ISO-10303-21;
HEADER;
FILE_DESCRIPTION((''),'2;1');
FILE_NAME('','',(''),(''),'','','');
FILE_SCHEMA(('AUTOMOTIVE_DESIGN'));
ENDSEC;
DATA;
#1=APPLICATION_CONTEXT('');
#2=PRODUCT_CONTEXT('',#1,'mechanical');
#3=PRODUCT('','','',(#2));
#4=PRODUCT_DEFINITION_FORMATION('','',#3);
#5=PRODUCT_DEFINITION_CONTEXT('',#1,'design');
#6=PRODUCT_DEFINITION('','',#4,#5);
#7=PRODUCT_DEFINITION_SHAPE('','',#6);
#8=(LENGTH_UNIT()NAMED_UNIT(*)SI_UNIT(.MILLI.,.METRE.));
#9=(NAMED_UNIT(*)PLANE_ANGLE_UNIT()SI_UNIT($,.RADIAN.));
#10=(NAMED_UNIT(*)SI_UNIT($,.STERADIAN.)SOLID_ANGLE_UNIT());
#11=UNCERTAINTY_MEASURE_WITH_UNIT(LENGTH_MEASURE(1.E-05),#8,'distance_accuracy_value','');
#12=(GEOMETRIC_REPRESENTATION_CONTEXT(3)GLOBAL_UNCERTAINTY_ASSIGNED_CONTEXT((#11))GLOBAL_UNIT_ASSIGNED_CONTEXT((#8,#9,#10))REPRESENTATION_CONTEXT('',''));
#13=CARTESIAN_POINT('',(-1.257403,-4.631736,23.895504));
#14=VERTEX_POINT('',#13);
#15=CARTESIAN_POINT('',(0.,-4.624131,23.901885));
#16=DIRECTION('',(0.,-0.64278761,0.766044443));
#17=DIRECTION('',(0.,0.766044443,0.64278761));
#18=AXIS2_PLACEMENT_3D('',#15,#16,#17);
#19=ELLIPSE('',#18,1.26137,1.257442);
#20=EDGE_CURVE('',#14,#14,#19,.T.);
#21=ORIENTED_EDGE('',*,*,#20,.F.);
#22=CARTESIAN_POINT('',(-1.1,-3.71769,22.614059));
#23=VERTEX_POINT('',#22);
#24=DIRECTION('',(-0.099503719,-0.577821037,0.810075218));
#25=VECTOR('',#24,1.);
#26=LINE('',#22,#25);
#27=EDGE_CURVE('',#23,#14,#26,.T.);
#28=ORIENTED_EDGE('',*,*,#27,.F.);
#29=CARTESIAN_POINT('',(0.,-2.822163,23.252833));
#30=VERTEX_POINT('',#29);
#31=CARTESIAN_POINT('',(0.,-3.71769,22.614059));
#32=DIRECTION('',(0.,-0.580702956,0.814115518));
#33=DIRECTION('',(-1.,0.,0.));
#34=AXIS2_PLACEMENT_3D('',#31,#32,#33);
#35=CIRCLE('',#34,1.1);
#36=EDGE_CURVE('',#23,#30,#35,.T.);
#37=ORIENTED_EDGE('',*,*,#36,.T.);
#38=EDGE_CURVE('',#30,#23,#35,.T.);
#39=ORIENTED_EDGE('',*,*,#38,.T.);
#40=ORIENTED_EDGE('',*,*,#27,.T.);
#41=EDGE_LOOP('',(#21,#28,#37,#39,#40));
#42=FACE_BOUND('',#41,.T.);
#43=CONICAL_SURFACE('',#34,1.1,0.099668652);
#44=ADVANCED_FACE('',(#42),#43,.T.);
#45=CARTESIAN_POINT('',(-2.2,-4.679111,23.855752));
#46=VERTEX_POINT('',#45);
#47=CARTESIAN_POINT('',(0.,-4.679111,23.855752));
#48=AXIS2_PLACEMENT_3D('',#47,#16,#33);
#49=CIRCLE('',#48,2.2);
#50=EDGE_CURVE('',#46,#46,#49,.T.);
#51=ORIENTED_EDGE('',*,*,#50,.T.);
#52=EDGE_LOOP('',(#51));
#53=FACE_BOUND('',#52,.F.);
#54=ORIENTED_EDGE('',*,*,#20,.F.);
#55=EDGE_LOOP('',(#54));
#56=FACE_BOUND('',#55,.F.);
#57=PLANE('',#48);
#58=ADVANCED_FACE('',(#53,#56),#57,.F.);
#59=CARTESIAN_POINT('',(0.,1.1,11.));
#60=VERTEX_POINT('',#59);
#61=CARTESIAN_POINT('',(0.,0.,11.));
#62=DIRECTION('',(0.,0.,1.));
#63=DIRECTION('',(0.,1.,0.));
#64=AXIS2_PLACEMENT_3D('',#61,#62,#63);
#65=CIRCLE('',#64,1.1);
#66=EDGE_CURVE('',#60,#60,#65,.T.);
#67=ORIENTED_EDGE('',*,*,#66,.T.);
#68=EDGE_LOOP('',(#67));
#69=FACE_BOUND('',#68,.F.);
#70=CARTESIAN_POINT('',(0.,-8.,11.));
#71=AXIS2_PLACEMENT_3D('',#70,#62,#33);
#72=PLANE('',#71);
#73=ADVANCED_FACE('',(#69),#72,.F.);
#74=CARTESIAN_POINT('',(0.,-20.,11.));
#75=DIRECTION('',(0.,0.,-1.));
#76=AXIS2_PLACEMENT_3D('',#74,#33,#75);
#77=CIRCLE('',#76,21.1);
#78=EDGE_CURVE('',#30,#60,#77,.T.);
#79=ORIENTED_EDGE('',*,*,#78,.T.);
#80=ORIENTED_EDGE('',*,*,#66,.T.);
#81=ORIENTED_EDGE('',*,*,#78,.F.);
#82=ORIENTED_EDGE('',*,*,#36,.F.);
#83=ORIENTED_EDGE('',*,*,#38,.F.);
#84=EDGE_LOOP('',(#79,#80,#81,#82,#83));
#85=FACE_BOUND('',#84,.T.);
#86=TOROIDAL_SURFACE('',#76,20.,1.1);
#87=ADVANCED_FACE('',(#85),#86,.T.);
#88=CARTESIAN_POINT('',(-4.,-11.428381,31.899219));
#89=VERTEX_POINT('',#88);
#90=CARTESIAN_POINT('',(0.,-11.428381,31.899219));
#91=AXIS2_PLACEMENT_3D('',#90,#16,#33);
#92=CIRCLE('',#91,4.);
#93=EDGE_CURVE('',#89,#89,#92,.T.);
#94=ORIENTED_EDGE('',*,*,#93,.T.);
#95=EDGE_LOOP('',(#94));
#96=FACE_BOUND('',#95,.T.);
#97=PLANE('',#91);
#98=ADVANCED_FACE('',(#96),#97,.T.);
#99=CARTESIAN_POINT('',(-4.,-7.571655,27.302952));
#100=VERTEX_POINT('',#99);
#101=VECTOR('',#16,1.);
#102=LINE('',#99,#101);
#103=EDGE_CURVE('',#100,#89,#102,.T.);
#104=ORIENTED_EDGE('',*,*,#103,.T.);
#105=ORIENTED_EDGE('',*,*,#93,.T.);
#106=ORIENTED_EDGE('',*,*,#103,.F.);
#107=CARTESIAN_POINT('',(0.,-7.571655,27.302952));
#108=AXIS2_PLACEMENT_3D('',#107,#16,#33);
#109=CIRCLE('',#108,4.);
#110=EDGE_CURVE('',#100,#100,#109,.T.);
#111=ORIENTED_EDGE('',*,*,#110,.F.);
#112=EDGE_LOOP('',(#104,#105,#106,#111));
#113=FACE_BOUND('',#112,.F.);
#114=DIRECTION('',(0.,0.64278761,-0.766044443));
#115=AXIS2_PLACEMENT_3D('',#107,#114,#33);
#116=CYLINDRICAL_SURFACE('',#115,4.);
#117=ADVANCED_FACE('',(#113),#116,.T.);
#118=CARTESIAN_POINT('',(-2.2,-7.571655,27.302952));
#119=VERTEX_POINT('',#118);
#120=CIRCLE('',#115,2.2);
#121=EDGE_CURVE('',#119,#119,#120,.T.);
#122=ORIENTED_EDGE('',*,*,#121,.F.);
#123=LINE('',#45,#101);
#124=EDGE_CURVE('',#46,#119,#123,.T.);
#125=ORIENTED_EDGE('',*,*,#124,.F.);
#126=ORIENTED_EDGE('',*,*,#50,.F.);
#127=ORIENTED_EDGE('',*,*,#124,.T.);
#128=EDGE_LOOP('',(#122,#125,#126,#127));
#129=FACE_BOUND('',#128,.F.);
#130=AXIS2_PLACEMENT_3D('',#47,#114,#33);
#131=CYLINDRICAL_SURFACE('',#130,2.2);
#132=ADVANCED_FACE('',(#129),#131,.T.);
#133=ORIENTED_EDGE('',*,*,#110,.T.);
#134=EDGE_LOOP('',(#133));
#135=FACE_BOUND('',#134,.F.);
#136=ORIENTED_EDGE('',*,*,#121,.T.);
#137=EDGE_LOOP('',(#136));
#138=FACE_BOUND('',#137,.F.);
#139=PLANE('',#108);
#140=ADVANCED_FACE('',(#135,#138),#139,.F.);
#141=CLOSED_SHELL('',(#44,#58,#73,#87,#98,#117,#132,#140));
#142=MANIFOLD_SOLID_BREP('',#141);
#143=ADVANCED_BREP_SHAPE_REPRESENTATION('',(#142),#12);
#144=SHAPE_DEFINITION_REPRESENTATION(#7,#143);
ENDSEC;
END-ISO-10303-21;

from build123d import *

# Parameters (mm, degrees)
CONE008_ROLL_ANGLE           = -35.5
BOX001027045032_W            = 10
BOX001027045032_H            = 24
BOX001027045032_DEPTH        = 22
BOX001027045032_ROLL_ANGLE   = -35.5
BOX001027045031_W            = 10
BOX001027045031_H            = 24
BOX001027045031_DEPTH        = 22
TORUS007_R                   = 1.1
TORUS007_PITCH_ANGLE         = 90
CYLINDER137_R                = 4
CYLINDER137_DEPTH            = 6
CYLINDER137_ROLL_ANGLE       = -40
CYLINDER136_R                = 2.2
CYLINDER136_DEPTH            = 10
CYLINDER136_ROLL_ANGLE       = -40
FUSION112047_PLACEMENT_ANGLE = 180


with BuildPart() as cone008:
    # Cone008 → Cone008 (revolve)
    with BuildSketch(Plane.XZ):
        Polygon((0, 0), (1.1, 0), (1.3, 2), (0, 2), align=None)
    revolve(axis=Axis((0, 0, 0), (0, 0, 1)))


with BuildPart() as cone008_1:
    # Cone008 roll: moved
    add(cone008.part.rotate(Axis((0, 0, 0), (1, 0, 0)), CONE008_ROLL_ANGLE))


with BuildPart() as cone008_2:
    # Cone008 placement: moved
    add(cone008_1.part.moved(Location((0, 3.71769, 11.614059))))


with BuildPart() as cube085:
    # Box001027045032 → Box001027045032 (new body)
    with BuildSketch(Plane.XY):
        with Locations((5, 12)):
            Rectangle(BOX001027045032_W, BOX001027045032_H)
    extrude(amount=BOX001027045032_DEPTH)


with BuildPart() as cube085_1:
    # Box001027045032 roll: moved
    add(cube085.part.rotate(Axis((0, 0, 0), (1, 0, 0)), BOX001027045032_ROLL_ANGLE))


with BuildPart() as cube085_2:
    # Box001027045032 placement: moved
    add(cube085_1.part.moved(Location((-5, 0.461228, 13.936871))))


with BuildPart() as cube084:
    # Box001027045031 → Box001027045031 (new body)
    with BuildSketch(Plane(origin=(-5, -4, 0), x_dir=(1, 0, 0), z_dir=(0, 0, 1))):
        with Locations((5, 12)):
            Rectangle(BOX001027045031_W, BOX001027045031_H)
    extrude(amount=BOX001027045031_DEPTH)


with BuildPart() as cut074:
    # Torus007 → Torus007 (revolve)
    with BuildSketch(Plane.XZ):
        with Locations((20, 0)):
            Circle(TORUS007_R)
    revolve(axis=Axis((0, 0, 0), (0, 0, 1)))


with BuildPart() as cut074_1:
    # Torus007 pitch: moved
    add(cut074.part.rotate(Axis((0, 0, 0), (0, 1, 0)), TORUS007_PITCH_ANGLE))


with BuildPart() as cut074_2:
    # Torus007 placement: moved
    add(cut074_1.part.moved(Location((0, 20, 0))))

    # Common059: intersect Cube084
    add(cube084.part, mode=Mode.INTERSECT)

    # Cut074: cut Cube085
    add(cube085_2.part, mode=Mode.SUBTRACT)


with BuildPart() as cylinder195:
    # Cylinder137 → Cylinder137 (new body)
    with BuildSketch(Plane.XY):
        Circle(CYLINDER137_R)
    extrude(amount=CYLINDER137_DEPTH)


with BuildPart() as cylinder195_1:
    # Cylinder137 roll: moved
    add(cylinder195.part.rotate(Axis((0, 0, 0), (1, 0, 0)), CYLINDER137_ROLL_ANGLE))


with BuildPart() as cylinder195_2:
    # Cylinder137 placement: moved
    add(cylinder195_1.part.moved(Location((0, 7.571655, 16.302952))))


with BuildPart() as torroidal_hole010:
    # Cylinder136 → Cylinder136 (new body)
    with BuildSketch(Plane.XY):
        Circle(CYLINDER136_R)
    extrude(amount=CYLINDER136_DEPTH)


with BuildPart() as torroidal_hole010_1:
    # Cylinder136 roll: moved
    add(torroidal_hole010.part.rotate(Axis((0, 0, 0), (1, 0, 0)), CYLINDER136_ROLL_ANGLE))


with BuildPart() as torroidal_hole010_2:
    # Cylinder136 placement: moved
    add(torroidal_hole010_1.part.moved(Location((0, 4.679111, 12.855752))))

    # Fusion112047: union Cone008, Cut074, Cylinder195
    add(cone008_2.part)
    add(cut074_2.part)
    add(cylinder195_2.part)


with BuildPart() as torroidal_hole010_3:
    # Fusion112047 placement: moved
    add(torroidal_hole010_2.part.moved(Location((0, 0, 11))).rotate(Axis((0, 0, 11), (0, 0, 1)), FUSION112047_PLACEMENT_ANGLE))


solid = torroidal_hole010_3.part
